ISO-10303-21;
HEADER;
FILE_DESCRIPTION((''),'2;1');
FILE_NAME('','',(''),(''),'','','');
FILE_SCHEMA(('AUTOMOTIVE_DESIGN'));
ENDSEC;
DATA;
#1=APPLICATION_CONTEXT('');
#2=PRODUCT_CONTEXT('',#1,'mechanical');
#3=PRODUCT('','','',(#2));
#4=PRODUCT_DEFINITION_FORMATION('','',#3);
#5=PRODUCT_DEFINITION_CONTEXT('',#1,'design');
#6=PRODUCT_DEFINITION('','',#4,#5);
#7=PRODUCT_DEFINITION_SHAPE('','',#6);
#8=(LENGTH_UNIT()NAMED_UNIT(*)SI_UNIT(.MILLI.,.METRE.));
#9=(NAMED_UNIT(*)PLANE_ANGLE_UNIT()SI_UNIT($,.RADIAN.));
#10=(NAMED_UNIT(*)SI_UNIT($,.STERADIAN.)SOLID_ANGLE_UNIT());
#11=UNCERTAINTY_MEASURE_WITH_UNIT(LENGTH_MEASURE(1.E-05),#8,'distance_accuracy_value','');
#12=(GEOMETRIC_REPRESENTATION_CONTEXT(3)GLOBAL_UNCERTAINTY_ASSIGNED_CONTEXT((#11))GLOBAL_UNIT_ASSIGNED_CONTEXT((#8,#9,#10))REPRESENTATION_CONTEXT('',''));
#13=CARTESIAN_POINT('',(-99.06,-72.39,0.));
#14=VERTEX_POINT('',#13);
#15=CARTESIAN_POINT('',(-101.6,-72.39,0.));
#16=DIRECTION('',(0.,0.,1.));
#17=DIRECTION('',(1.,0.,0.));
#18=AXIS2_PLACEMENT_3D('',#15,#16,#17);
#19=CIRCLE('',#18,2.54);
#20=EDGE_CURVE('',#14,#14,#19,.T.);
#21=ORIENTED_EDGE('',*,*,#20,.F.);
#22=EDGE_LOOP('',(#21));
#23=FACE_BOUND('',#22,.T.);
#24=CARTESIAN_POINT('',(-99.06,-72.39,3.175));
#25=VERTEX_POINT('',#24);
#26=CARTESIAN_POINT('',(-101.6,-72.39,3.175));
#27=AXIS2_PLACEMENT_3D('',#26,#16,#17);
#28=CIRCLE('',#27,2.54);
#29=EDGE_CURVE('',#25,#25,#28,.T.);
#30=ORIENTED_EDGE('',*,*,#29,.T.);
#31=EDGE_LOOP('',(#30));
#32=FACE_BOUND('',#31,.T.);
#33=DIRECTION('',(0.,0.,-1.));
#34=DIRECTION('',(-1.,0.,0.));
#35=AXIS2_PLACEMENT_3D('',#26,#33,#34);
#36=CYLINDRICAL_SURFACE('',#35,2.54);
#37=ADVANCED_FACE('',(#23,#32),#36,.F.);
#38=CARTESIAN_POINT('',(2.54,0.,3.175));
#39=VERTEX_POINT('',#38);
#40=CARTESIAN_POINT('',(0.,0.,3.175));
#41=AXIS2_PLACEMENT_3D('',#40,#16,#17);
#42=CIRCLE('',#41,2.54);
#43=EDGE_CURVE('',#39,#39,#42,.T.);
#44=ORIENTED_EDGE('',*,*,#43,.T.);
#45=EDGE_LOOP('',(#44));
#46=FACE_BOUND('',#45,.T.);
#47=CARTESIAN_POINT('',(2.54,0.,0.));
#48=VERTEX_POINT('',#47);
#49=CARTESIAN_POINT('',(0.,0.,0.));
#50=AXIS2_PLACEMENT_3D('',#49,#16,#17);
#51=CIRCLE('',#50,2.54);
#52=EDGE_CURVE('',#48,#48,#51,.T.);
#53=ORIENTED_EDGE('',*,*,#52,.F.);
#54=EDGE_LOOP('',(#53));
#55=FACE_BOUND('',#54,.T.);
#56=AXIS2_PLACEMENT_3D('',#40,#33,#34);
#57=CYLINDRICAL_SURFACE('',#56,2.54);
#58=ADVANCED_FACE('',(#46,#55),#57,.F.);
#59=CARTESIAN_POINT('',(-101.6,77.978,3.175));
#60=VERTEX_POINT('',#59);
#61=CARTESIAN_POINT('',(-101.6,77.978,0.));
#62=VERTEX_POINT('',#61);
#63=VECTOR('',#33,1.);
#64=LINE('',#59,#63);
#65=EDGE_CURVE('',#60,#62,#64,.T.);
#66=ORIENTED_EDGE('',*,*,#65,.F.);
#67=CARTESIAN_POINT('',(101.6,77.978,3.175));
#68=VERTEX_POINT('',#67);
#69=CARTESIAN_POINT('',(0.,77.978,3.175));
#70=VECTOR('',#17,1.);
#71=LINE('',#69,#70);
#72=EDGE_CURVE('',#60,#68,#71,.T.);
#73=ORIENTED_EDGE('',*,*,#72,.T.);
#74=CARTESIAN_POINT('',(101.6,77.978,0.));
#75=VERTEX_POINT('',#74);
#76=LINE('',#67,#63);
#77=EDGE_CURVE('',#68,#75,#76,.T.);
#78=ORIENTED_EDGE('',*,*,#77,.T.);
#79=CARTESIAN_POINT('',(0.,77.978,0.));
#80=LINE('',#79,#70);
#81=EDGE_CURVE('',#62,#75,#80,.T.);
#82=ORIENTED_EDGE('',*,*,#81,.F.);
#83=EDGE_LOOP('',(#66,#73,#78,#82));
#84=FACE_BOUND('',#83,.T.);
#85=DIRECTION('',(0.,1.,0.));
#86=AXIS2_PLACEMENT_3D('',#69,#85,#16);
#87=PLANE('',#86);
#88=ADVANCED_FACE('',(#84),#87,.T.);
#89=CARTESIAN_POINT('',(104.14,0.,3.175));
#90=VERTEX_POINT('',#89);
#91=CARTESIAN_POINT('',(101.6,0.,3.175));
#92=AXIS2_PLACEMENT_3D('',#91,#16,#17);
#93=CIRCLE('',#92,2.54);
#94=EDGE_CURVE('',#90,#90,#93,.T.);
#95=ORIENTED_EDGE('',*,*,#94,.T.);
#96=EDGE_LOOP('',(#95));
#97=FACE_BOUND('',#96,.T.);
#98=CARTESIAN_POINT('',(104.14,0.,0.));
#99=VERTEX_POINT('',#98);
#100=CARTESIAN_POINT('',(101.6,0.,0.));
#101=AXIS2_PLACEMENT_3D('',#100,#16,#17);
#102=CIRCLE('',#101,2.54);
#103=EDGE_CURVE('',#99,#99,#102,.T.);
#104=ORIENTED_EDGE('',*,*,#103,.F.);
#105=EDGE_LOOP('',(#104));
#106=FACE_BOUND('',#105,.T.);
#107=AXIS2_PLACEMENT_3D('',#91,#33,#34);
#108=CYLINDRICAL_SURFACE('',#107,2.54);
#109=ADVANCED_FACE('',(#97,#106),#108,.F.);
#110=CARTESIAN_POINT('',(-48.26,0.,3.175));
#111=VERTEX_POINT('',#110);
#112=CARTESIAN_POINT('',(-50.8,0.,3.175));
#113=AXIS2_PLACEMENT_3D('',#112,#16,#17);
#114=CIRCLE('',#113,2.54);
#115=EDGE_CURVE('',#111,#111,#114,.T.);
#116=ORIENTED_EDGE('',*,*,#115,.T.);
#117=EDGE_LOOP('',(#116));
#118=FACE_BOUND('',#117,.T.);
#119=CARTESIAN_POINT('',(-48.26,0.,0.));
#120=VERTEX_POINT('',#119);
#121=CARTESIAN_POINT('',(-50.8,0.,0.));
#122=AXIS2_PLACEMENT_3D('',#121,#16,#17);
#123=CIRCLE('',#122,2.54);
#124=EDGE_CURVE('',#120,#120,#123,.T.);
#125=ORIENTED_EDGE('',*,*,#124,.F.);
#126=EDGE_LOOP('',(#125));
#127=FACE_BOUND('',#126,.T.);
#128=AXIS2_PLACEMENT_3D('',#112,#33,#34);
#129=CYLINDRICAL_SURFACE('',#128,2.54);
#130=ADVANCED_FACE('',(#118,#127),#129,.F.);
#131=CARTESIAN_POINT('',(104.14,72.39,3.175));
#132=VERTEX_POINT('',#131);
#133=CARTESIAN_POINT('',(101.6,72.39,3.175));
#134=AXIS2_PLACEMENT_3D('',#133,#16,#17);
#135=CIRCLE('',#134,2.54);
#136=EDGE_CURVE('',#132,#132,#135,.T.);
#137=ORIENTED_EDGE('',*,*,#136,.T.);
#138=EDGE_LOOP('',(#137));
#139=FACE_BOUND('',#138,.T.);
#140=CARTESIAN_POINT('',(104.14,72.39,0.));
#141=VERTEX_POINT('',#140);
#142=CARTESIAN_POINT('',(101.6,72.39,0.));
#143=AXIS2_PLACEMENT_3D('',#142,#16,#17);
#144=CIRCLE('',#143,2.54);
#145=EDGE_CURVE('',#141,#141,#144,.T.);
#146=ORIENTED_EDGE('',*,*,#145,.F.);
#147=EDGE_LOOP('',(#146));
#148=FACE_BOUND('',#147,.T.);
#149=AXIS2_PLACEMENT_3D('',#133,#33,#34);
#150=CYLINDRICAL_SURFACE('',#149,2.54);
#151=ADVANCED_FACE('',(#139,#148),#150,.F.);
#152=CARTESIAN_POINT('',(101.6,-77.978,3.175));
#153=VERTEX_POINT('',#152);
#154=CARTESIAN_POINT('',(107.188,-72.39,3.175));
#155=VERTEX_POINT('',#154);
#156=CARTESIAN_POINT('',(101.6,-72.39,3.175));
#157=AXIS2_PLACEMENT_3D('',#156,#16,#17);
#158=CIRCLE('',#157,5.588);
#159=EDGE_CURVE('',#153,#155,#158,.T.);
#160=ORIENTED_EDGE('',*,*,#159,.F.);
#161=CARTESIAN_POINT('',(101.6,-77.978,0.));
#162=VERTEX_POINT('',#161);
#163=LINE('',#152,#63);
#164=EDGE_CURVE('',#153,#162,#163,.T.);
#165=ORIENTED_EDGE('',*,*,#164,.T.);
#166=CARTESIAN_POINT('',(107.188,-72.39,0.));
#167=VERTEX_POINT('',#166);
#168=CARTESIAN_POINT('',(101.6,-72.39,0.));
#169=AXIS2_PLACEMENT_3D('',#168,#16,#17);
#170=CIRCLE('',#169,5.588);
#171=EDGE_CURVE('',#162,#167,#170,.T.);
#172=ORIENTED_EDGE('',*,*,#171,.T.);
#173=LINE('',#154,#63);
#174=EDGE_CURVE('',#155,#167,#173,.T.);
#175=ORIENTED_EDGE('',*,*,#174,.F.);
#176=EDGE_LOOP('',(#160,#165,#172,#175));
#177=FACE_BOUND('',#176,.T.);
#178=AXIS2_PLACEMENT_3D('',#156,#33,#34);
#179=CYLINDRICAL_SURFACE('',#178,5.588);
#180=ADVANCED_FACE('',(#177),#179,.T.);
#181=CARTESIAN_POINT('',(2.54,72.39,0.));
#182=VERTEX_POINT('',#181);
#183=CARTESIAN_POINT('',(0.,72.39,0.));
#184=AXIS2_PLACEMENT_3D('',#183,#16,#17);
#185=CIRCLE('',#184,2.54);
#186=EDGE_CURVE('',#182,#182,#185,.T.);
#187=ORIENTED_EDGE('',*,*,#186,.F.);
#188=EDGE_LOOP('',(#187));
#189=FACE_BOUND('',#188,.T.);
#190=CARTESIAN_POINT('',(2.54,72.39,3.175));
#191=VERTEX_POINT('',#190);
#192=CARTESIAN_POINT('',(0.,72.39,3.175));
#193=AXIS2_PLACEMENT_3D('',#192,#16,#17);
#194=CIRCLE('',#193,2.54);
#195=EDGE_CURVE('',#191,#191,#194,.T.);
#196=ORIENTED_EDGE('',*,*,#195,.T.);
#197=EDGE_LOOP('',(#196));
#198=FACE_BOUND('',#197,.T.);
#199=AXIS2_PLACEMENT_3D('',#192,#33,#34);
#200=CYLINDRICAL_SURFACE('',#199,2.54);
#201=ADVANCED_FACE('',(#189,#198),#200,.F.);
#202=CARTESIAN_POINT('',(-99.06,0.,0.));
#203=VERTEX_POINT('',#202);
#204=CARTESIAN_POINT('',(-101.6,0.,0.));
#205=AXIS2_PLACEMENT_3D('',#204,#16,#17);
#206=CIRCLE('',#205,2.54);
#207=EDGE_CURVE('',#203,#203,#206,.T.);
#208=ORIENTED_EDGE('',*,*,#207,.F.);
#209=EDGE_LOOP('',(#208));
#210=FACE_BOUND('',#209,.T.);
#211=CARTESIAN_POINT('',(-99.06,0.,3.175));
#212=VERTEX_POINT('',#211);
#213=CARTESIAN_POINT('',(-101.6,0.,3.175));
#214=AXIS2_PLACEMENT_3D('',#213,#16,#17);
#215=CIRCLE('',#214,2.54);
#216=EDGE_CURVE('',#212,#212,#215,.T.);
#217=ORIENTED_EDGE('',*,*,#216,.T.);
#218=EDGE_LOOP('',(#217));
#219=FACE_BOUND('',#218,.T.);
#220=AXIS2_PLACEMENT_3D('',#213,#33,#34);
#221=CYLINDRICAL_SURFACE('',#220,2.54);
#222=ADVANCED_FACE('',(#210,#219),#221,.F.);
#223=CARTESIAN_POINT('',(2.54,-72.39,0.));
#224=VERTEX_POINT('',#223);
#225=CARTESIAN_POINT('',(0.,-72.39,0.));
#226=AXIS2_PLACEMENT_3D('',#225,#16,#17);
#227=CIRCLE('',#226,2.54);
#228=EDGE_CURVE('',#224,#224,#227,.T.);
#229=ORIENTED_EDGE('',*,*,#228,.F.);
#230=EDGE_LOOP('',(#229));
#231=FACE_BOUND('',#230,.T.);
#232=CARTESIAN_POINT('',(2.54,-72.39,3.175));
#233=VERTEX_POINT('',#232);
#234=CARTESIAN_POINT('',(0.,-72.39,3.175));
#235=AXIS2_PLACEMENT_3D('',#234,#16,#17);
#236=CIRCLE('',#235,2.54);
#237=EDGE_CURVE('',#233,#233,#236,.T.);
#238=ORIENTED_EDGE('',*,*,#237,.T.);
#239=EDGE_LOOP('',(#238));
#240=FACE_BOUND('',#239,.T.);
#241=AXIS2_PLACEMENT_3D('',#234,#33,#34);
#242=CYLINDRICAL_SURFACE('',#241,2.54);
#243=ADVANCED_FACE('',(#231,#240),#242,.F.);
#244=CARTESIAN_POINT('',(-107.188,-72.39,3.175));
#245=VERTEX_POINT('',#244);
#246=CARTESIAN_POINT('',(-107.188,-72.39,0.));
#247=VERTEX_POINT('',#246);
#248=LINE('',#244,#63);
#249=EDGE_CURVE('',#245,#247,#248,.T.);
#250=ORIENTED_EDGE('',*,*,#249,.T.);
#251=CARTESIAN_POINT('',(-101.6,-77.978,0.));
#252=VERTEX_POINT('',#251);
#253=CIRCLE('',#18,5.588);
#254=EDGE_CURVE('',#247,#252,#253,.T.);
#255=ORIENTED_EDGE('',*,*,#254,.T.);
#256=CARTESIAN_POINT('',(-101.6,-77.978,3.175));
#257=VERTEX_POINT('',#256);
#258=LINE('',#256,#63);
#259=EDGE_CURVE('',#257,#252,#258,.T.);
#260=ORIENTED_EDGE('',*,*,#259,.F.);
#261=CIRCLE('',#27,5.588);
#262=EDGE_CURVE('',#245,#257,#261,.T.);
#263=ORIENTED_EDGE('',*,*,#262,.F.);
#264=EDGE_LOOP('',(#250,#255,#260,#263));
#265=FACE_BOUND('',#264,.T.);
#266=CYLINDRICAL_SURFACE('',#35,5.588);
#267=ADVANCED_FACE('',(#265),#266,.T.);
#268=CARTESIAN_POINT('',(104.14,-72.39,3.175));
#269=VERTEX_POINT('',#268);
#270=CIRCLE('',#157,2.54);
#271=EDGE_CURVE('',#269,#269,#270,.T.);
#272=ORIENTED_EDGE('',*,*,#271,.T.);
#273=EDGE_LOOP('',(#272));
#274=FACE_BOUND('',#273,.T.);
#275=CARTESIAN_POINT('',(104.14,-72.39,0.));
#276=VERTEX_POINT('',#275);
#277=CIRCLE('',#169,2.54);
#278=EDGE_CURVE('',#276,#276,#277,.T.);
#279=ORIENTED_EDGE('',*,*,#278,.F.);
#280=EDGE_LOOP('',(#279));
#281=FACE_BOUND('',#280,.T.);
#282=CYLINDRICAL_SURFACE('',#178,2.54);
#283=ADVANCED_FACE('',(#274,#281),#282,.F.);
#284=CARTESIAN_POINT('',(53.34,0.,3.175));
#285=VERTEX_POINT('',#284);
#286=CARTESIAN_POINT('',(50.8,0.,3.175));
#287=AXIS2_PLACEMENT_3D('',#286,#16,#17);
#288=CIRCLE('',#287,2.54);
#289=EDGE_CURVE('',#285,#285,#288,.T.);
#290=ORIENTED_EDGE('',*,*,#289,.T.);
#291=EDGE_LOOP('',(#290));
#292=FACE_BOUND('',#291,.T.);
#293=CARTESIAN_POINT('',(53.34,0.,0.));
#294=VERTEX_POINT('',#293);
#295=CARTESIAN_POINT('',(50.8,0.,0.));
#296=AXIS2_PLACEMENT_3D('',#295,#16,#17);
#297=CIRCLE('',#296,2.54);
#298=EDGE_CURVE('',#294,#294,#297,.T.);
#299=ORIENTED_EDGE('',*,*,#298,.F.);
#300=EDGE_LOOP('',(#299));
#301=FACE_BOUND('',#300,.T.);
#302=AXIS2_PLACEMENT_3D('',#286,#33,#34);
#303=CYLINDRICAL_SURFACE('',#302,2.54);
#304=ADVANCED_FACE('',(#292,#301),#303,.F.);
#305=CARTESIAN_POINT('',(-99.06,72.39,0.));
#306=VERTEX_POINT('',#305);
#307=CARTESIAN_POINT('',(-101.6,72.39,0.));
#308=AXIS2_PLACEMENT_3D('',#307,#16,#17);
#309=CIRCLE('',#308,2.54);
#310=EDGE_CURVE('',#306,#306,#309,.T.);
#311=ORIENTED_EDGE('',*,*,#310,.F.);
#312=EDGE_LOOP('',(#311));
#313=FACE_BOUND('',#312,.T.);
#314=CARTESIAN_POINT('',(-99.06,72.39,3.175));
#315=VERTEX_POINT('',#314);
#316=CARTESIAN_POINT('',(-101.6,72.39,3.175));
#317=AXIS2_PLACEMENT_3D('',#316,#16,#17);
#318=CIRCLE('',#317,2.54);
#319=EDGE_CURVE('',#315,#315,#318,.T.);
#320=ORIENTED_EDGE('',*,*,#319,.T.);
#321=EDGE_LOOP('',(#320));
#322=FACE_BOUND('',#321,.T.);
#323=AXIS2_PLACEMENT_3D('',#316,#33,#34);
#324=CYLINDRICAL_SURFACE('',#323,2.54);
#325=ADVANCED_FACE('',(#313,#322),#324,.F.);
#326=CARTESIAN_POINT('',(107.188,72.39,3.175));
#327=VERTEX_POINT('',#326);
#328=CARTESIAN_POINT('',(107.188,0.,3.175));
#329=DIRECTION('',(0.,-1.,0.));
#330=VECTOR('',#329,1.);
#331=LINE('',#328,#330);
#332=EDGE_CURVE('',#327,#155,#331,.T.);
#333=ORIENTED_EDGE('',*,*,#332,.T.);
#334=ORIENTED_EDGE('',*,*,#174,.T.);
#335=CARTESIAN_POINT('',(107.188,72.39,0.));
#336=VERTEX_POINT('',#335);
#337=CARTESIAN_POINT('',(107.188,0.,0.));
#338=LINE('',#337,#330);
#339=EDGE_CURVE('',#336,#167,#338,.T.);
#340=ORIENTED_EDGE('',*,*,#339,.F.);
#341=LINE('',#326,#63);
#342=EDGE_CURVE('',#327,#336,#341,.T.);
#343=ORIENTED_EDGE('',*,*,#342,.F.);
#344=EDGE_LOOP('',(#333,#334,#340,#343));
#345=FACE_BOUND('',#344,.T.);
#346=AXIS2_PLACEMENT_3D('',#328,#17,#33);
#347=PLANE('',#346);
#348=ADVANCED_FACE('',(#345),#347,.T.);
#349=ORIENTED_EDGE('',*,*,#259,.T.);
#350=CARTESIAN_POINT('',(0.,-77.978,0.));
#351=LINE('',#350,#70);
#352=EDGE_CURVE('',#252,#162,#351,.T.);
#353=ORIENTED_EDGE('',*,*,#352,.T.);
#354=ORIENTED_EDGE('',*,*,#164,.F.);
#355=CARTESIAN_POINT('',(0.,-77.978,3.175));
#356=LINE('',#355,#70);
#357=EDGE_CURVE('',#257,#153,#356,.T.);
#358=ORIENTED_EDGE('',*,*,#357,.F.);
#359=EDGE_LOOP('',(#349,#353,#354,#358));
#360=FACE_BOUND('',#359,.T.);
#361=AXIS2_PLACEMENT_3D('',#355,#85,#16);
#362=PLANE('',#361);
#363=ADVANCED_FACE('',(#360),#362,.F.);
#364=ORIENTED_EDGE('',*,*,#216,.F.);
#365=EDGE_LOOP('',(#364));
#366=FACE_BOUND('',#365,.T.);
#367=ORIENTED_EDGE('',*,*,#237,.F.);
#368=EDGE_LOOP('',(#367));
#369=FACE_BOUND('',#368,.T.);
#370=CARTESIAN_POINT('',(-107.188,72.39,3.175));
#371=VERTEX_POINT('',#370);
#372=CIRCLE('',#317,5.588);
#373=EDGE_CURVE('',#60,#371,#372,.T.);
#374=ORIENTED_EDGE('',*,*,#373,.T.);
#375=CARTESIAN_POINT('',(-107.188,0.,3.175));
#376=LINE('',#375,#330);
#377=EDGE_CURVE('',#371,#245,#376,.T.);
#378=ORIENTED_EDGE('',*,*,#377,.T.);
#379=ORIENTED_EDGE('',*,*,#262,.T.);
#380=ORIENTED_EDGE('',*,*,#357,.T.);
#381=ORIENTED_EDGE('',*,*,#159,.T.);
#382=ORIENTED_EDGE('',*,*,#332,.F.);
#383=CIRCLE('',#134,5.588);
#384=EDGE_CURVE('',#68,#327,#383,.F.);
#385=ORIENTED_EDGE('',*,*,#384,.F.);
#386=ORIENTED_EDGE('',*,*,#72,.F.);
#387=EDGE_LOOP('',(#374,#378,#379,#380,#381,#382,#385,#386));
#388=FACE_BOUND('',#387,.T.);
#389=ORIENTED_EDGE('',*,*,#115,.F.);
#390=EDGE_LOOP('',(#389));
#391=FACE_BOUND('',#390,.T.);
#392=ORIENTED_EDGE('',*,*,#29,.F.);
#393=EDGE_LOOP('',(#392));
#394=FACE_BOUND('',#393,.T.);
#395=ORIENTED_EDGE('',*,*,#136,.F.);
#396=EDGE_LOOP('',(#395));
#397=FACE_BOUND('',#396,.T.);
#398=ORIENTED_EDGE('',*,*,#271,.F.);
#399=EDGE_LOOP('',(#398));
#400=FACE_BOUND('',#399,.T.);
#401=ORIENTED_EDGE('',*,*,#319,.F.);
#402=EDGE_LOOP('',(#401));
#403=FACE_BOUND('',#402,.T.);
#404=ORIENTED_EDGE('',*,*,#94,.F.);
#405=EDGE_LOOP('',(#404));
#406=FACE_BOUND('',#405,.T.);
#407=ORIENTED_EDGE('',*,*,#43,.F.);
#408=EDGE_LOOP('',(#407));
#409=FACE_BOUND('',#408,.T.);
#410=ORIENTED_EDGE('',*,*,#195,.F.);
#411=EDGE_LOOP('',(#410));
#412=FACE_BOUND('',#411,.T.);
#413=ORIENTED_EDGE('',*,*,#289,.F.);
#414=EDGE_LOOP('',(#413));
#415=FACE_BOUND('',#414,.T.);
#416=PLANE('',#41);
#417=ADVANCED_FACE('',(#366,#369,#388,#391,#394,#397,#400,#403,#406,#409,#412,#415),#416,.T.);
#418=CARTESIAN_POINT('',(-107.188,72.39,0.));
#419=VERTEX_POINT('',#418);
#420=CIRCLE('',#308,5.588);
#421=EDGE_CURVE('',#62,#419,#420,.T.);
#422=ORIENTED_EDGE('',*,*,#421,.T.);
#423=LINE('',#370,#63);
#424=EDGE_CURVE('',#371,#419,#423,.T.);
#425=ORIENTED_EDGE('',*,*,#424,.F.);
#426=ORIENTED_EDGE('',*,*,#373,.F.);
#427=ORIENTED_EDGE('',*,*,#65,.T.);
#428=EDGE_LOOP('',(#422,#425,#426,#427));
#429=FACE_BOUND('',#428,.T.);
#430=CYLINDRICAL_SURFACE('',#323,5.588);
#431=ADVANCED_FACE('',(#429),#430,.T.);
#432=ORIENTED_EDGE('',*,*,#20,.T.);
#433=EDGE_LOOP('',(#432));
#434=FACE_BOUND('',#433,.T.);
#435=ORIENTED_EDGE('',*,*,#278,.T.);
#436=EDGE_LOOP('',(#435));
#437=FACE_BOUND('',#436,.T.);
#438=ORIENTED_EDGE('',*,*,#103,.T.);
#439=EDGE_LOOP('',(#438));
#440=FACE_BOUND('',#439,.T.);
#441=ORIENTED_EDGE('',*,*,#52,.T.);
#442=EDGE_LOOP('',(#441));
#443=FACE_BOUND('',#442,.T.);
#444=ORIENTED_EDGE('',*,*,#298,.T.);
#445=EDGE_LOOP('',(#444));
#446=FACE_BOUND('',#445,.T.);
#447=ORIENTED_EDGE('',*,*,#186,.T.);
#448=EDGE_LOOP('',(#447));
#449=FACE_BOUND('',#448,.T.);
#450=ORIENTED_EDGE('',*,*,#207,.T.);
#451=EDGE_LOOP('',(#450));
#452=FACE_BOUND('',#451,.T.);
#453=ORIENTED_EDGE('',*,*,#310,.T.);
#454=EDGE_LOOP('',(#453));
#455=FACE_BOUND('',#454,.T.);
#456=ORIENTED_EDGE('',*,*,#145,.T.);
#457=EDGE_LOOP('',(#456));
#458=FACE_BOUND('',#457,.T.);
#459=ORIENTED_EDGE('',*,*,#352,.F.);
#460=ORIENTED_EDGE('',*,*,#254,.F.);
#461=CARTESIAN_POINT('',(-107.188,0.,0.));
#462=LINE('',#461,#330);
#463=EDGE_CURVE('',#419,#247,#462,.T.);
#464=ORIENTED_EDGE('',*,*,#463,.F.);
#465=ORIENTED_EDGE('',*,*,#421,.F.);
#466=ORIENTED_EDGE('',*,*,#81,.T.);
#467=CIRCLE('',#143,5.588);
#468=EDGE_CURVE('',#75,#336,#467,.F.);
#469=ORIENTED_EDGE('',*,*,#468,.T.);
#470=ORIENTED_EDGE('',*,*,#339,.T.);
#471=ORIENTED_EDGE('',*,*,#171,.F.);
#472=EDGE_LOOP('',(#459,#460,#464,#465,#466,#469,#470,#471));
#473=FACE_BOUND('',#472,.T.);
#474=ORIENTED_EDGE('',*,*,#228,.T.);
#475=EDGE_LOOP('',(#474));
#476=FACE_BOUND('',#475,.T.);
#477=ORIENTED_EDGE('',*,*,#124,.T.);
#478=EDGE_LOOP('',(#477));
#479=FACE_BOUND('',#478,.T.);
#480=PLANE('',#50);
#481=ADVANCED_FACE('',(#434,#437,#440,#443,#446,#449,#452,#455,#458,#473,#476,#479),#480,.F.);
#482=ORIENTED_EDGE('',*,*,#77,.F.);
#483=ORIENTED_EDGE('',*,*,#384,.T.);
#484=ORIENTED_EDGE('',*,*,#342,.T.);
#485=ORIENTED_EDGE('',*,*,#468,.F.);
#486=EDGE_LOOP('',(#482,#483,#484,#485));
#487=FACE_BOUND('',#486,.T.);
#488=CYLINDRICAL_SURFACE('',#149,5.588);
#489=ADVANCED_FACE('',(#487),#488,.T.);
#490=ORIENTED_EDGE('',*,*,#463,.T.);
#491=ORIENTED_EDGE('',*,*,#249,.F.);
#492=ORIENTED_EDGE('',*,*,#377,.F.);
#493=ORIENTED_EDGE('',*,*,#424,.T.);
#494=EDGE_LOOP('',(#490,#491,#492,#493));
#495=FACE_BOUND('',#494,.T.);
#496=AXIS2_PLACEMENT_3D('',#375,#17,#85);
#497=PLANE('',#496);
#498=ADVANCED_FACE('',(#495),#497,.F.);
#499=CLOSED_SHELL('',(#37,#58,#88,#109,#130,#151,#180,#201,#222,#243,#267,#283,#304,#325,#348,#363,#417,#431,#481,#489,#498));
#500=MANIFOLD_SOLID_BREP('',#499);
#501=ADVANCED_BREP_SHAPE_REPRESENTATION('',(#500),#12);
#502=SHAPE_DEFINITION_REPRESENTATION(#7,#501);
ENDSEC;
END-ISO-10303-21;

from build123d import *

# Parameters (mm, degrees)
SKETCH1_R           = 2.54
BOSS_EXTRUDE1_DEPTH = 3.175


with BuildPart() as part:
    # Sketch1 → Boss-Extrude1 (new body)
    with BuildSketch(Plane.XY):
        with BuildLine():
            Line((-101.6, 77.978), (101.6, 77.978))
            ThreePointArc((101.6, 77.978), (105.551312693, 76.341312693), (107.188, 72.39))
            Line((107.188, 72.39), (107.188, 24.765))
            Line((107.188, 24.765), (107.188, -24.765))
            Line((107.188, -24.765), (107.188, -72.39))
            ThreePointArc((107.188, -72.39), (105.551312693, -76.341312693), (101.6, -77.978))
            Line((101.6, -77.978), (-101.6, -77.978))
            ThreePointArc((-101.6, -77.978), (-105.551312693, -76.341312693), (-107.188, -72.39))
            Line((-107.188, -72.39), (-107.188, -24.765))
            Line((-107.188, -24.765), (-107.188, 24.765))
            Line((-107.188, 24.765), (-107.188, 72.39))
            ThreePointArc((-107.188, 72.39), (-105.551312693, 76.341312693), (-101.6, 77.978))
        make_face()
        with Locations((-101.6, 0)):
            Circle(SKETCH1_R, mode=Mode.SUBTRACT)
        with Locations((-50.8, 0)):
            Circle(SKETCH1_R, mode=Mode.SUBTRACT)
        Circle(SKETCH1_R, mode=Mode.SUBTRACT)
        with Locations((101.6, 0)):
            Circle(SKETCH1_R, mode=Mode.SUBTRACT)
        with Locations((50.8, 0)):
            Circle(SKETCH1_R, mode=Mode.SUBTRACT)
        with Locations((-101.6, 72.39)):
            Circle(SKETCH1_R, mode=Mode.SUBTRACT)
        with Locations((0, 72.39)):
            Circle(SKETCH1_R, mode=Mode.SUBTRACT)
        with Locations((101.6, 72.39)):
            Circle(SKETCH1_R, mode=Mode.SUBTRACT)
        with Locations((-101.6, -72.39)):
            Circle(SKETCH1_R, mode=Mode.SUBTRACT)
        with Locations((0, -72.39)):
            Circle(SKETCH1_R, mode=Mode.SUBTRACT)
        with Locations((101.6, -72.39)):
            Circle(SKETCH1_R, mode=Mode.SUBTRACT)
    extrude(amount=BOSS_EXTRUDE1_DEPTH)


solid = part.part
